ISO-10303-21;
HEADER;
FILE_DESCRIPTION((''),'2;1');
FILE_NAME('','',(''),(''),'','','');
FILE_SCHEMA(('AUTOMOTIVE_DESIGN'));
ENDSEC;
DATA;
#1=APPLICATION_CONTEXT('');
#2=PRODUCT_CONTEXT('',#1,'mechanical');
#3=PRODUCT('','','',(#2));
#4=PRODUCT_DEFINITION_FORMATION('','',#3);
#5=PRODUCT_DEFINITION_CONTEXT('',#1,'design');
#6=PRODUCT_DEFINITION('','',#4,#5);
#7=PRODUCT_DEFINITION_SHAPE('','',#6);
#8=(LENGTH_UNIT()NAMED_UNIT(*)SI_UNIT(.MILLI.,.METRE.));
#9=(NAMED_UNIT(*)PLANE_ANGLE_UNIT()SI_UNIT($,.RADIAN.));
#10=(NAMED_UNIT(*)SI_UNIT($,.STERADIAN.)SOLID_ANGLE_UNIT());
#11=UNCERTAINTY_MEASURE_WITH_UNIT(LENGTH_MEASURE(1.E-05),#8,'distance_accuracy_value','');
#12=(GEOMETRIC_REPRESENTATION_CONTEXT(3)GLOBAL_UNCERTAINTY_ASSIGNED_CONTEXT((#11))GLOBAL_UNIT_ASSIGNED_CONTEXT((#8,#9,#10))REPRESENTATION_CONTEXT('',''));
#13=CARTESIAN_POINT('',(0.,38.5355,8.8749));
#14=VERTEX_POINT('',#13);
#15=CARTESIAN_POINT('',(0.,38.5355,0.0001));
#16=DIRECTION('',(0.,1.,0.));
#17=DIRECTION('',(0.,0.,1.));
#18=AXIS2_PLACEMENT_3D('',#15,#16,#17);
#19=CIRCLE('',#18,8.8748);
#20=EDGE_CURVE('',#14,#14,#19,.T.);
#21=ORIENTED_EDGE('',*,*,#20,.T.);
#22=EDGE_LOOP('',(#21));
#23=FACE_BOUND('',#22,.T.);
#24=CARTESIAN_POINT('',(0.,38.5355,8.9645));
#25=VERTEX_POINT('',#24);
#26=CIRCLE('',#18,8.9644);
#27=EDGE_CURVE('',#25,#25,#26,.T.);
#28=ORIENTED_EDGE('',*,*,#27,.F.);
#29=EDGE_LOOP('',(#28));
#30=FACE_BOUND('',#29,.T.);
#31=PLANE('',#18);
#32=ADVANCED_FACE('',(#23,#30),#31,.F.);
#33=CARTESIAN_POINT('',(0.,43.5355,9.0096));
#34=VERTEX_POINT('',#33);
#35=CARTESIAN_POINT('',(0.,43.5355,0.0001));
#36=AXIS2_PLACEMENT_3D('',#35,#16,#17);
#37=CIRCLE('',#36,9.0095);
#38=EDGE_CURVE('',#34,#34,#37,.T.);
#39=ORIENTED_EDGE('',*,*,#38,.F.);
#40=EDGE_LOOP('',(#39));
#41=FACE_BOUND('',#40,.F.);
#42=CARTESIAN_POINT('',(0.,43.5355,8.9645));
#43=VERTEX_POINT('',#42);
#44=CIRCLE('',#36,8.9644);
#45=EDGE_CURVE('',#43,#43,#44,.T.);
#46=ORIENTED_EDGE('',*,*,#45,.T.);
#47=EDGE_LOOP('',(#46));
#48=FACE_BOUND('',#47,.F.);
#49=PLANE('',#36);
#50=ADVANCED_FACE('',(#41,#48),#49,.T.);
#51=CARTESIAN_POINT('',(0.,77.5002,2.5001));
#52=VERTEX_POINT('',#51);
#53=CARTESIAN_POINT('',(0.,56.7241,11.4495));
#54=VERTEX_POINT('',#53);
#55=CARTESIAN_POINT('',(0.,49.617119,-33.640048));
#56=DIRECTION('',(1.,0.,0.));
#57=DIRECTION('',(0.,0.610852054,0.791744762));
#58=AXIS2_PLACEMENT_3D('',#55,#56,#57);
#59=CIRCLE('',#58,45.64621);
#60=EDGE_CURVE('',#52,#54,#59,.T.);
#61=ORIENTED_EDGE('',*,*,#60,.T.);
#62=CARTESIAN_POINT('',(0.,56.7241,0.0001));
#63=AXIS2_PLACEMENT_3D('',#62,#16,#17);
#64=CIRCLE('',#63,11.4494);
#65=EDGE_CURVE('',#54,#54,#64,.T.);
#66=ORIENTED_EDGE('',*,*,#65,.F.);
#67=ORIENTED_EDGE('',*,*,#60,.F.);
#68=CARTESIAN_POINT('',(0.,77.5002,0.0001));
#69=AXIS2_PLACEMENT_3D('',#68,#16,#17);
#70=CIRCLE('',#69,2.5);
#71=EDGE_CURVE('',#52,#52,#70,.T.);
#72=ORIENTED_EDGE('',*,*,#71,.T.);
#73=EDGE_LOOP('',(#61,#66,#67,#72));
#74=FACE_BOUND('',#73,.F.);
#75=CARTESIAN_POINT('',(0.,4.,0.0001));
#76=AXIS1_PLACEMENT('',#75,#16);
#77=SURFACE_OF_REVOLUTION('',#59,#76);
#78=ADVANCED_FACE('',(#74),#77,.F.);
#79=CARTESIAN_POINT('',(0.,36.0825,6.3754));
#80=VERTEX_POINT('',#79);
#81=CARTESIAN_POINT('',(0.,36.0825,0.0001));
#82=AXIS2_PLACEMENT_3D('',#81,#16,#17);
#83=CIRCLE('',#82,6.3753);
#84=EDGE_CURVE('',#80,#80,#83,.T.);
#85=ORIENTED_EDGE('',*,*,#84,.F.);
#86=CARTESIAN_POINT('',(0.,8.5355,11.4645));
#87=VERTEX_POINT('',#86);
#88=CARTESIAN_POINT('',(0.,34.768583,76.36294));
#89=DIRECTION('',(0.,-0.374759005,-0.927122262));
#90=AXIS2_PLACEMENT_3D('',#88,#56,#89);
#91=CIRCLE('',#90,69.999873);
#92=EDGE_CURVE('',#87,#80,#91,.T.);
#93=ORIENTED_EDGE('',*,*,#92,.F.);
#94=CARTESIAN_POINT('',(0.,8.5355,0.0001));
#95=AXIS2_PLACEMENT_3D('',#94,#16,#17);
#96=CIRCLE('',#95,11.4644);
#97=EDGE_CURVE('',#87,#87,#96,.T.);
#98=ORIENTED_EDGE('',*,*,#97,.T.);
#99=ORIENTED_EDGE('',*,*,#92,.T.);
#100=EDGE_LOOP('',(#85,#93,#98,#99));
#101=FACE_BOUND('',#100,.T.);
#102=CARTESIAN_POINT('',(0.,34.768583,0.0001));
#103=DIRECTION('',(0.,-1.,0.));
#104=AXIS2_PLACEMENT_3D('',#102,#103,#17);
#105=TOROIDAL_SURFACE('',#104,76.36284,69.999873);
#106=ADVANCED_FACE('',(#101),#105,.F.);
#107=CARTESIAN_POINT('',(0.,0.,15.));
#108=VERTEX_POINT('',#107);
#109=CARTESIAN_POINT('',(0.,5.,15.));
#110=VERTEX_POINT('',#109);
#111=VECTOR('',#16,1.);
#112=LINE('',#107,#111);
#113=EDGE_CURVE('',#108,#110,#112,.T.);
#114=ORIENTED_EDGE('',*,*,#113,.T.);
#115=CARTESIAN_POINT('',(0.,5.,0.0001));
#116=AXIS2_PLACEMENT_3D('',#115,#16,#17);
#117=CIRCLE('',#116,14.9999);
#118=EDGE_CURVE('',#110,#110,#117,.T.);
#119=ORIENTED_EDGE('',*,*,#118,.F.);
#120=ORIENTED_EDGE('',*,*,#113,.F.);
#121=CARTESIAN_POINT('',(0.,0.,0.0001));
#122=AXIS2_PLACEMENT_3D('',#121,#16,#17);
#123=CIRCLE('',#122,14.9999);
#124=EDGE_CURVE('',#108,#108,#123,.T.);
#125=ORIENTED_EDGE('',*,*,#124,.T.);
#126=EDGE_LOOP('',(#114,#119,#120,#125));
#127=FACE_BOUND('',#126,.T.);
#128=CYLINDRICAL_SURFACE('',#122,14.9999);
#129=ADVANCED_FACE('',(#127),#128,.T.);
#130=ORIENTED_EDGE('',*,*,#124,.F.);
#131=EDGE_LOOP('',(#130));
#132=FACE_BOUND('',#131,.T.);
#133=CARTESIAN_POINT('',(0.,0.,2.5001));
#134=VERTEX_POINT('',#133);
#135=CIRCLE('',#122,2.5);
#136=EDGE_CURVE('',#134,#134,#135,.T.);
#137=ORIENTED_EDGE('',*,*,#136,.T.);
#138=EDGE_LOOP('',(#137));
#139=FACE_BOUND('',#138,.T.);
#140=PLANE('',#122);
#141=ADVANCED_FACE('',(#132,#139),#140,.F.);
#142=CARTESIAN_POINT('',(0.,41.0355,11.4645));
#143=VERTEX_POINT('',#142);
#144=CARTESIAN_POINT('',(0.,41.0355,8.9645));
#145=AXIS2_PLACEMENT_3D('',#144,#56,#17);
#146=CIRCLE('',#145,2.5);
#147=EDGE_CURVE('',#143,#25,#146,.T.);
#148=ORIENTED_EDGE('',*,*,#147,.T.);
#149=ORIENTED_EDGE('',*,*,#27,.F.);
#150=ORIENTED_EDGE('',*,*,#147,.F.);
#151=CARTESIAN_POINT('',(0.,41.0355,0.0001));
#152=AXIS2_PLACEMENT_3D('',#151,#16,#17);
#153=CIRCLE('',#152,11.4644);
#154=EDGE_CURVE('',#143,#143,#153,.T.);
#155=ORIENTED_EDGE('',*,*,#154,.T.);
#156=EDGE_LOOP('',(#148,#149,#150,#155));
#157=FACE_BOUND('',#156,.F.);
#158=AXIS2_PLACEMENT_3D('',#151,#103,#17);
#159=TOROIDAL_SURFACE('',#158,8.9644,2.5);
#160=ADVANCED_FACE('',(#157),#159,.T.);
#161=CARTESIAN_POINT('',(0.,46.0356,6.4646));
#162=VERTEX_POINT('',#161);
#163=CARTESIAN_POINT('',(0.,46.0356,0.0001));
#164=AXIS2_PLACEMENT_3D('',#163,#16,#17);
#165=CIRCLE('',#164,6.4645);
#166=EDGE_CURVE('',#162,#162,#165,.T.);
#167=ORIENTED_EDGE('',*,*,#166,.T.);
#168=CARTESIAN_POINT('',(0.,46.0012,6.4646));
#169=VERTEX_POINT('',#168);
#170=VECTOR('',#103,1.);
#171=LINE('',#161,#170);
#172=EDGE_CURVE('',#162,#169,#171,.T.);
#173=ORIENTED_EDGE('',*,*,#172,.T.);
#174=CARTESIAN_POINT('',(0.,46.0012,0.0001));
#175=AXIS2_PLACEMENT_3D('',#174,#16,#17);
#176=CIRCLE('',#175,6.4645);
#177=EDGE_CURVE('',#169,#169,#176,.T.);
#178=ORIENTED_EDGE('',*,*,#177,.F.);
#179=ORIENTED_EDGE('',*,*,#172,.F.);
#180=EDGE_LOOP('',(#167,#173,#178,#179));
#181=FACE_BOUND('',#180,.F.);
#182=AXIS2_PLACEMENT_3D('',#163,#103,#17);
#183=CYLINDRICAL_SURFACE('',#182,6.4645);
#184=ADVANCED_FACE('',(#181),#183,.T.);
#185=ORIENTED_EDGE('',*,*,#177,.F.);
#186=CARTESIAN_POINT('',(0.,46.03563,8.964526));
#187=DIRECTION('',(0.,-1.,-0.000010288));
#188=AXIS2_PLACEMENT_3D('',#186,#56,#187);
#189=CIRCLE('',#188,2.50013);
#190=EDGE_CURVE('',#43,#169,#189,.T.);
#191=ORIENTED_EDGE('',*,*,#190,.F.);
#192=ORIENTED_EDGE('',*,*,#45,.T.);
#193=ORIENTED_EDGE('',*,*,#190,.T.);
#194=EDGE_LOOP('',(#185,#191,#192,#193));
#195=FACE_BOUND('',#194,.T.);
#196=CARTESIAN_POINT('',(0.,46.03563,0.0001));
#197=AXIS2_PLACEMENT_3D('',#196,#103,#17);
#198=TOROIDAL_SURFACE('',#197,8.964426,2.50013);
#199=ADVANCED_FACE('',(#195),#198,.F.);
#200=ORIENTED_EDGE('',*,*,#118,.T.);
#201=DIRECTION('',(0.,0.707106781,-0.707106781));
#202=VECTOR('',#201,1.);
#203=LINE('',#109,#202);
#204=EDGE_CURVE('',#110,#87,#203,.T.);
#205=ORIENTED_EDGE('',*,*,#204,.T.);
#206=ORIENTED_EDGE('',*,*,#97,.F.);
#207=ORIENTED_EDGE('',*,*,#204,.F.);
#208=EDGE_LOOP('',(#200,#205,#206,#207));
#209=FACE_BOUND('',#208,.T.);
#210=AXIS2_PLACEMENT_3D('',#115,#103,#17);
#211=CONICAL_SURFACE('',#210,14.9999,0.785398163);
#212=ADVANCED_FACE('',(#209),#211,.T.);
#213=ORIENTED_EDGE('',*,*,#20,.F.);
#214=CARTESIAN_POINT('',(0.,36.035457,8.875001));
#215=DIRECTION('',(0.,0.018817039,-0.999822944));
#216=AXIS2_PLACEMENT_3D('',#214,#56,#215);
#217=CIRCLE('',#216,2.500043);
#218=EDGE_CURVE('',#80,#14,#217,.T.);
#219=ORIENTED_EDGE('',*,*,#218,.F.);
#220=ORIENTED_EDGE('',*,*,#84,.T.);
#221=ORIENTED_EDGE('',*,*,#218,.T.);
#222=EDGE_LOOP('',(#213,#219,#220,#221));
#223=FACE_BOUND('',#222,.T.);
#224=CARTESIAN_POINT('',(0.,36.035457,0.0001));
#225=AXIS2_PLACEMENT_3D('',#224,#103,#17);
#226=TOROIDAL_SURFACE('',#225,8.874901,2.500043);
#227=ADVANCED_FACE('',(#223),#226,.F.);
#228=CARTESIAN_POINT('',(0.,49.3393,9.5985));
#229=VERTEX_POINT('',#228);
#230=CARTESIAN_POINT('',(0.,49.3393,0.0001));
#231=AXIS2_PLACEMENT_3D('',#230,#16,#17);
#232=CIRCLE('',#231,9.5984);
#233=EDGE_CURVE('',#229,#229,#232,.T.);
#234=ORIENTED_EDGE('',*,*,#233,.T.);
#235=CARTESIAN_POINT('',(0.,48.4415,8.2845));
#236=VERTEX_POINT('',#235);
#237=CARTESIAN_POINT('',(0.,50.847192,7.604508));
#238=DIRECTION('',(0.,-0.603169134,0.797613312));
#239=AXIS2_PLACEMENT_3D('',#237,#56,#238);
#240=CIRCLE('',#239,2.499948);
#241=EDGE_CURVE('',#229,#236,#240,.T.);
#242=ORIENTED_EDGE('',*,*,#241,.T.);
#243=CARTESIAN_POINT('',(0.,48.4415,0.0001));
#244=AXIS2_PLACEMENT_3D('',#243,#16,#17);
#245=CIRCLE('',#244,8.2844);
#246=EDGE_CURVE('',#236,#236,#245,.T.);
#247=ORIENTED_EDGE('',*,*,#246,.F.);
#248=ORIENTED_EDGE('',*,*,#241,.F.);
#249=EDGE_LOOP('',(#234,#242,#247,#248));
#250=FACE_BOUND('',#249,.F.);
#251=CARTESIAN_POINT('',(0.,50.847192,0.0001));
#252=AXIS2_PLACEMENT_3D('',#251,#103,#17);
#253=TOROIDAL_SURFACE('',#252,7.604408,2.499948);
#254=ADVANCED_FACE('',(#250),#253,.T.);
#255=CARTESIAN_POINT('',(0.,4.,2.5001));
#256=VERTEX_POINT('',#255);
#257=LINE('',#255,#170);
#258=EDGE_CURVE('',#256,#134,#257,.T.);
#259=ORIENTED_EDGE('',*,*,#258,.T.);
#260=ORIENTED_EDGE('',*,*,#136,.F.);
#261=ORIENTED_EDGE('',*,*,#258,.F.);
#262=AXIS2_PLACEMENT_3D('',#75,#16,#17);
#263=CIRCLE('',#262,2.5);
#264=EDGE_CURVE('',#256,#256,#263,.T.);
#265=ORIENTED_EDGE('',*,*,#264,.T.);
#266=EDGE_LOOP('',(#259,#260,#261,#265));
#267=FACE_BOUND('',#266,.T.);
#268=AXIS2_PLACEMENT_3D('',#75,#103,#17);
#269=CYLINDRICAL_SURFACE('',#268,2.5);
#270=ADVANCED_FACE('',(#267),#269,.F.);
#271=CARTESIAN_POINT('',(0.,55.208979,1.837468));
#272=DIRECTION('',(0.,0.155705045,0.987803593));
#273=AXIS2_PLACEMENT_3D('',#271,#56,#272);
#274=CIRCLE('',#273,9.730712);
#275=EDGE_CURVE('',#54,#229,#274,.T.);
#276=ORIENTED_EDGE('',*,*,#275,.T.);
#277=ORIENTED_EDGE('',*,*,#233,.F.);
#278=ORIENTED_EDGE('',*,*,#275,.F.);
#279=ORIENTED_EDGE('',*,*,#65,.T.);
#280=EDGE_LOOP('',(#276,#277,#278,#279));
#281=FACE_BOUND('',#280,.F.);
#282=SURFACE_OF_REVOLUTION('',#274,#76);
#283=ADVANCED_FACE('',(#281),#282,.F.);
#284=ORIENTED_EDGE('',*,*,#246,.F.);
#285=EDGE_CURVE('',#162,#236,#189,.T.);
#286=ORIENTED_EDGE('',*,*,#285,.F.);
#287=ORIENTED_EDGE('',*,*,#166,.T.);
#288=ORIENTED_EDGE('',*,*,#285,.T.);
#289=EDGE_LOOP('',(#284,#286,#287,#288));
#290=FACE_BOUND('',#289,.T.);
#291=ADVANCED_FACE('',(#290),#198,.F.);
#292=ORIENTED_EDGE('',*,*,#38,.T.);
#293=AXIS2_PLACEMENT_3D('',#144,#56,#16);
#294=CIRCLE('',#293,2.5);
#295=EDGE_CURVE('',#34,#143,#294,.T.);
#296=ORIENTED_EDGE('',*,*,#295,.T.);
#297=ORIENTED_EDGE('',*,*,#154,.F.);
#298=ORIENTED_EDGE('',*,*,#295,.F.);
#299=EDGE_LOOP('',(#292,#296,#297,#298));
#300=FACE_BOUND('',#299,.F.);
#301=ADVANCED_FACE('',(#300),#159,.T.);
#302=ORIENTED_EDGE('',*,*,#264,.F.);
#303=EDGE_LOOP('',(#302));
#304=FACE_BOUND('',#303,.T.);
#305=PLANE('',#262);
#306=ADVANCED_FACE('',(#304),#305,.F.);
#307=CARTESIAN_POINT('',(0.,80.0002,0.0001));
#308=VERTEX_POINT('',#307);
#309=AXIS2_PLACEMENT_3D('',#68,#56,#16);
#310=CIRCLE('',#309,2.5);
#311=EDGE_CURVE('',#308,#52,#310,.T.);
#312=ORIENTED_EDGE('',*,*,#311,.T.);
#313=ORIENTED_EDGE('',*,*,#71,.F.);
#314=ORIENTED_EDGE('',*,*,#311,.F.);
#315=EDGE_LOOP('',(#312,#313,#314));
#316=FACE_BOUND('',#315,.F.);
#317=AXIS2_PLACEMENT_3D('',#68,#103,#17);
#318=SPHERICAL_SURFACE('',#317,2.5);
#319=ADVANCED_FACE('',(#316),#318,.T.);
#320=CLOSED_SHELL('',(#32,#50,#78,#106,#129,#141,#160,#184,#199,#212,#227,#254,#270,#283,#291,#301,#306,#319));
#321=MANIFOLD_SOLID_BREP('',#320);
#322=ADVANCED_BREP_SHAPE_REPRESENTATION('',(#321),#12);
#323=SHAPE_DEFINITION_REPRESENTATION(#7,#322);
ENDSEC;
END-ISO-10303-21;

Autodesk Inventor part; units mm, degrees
ref_plane "YZ Plane" through (0, 0, 0) normal (1, 0, 0) x (0, 1, 0)
ref_plane "XZ Plane" through (0, 0, 0) normal (0, 1, 0) x (-1, 0, 0)
ref_plane "XY Plane" through (0, 0, 0) normal (0, 0, 1) x (1, 0, 0)
sketch "Sketch1" plane through (0, 0, 0) normal (1, 0, 0) x (0, 1, 0)
  line L0 (4, 0.0001) -> (4, 2.5001)
  line L1 (4, 2.5001) -> (0, 2.5001)
  line L2 (0, 2.5001) -> (0, 15)
  line L3 (0, 15) -> (5, 15)
  line L4 (5, 15) -> (8.5355, 11.4645)
  line L5 (38.5355, 8.8749) -> (38.5355, 8.9645)
  line L6 (41.0355, 11.4645) -> (41.0355, 11.4645)
  line L7 (43.5355, 8.9645) -> (43.5355, 9.0096)
  line L8 (46.0356, 6.4646) -> (46.0012, 6.4646)
  arc A0 (43.5355, 8.9645) -> (41.0355, 11.4645) centre (41.0355, 8.9645) ccw
  arc A1 (41.0355, 11.4645) -> (38.5355, 8.9645) centre (41.0355, 8.9645) ccw
  arc A2 (8.5355, 11.4645) -> (36.0825, 6.3754) centre (34.7686, 76.363) ccw
  line L9 (4, 0.0001) -> (80.0002, 0.0001)
  line L10 (46.0356, 6.4646) -> (46.0012, 6.4646)
  line L11 (80.0002, 0.0001) -> (80.0002, 0.0001)
  line L12 (77.5002, 2.5001) -> (77.5002, 2.5001)
  arc A3 (77.5002, 2.5001) -> (56.7241, 11.4495) centre (49.6175, -33.6394) ccw
  arc A4 (43.5355, 8.9645) -> (48.4415, 8.2845) centre (46.0356, 8.9645) ccw
  arc A5 (56.7241, 11.4495) -> (49.3393, 9.5985) centre (55.209, 1.837) ccw
  line L13 (80.0002, 0.0001) -> (80.0002, 0.0001)
  line L14 (77.5002, 2.5001) -> (77.5002, 2.5001)
  arc A6 (80.0002, 0.0001) -> (77.5002, 2.5001) centre (77.5002, 0.0001) ccw
  arc A7 (49.3393, 9.5985) -> (48.4415, 8.2845) centre (50.8472, 7.6045) ccw
  arc A8 (36.0825, 6.3754) -> (38.5355, 8.8749) centre (36.0355, 8.8749) ccw
  point P0 (0, 0)
  point P1 (38.5355, 6.4645)
  point P2 (38.5355, 11.4645)
  point P3 (43.5355, 11.4645)
  point P4 (43.5355, 6.4646)
  point P5 (80.0002, 2.5001)
  point P6 (77.5002, 2.5001)
  dimension "d0" = 4
  dimension "d1" = 2.5
  dimension "d2" = 15
  dimension "d3" = 5
  dimension "d4" = 5
  dimension "d5" = 135
  dimension "d25" = 5
  dimension "d26" = 5
  dimension "d36" = 70
  dimension "d47" = 2.5
  dimension "d48" = 2.5
  dimension "d49" = 2.5
  dimension "d51" = 2.5
revolve "Revolution1" add sketch "Sketch1" angle 360 about axis through (0, 4, 0.0001) along (0, 1, 0)
properties part number "PawnUntagged"
